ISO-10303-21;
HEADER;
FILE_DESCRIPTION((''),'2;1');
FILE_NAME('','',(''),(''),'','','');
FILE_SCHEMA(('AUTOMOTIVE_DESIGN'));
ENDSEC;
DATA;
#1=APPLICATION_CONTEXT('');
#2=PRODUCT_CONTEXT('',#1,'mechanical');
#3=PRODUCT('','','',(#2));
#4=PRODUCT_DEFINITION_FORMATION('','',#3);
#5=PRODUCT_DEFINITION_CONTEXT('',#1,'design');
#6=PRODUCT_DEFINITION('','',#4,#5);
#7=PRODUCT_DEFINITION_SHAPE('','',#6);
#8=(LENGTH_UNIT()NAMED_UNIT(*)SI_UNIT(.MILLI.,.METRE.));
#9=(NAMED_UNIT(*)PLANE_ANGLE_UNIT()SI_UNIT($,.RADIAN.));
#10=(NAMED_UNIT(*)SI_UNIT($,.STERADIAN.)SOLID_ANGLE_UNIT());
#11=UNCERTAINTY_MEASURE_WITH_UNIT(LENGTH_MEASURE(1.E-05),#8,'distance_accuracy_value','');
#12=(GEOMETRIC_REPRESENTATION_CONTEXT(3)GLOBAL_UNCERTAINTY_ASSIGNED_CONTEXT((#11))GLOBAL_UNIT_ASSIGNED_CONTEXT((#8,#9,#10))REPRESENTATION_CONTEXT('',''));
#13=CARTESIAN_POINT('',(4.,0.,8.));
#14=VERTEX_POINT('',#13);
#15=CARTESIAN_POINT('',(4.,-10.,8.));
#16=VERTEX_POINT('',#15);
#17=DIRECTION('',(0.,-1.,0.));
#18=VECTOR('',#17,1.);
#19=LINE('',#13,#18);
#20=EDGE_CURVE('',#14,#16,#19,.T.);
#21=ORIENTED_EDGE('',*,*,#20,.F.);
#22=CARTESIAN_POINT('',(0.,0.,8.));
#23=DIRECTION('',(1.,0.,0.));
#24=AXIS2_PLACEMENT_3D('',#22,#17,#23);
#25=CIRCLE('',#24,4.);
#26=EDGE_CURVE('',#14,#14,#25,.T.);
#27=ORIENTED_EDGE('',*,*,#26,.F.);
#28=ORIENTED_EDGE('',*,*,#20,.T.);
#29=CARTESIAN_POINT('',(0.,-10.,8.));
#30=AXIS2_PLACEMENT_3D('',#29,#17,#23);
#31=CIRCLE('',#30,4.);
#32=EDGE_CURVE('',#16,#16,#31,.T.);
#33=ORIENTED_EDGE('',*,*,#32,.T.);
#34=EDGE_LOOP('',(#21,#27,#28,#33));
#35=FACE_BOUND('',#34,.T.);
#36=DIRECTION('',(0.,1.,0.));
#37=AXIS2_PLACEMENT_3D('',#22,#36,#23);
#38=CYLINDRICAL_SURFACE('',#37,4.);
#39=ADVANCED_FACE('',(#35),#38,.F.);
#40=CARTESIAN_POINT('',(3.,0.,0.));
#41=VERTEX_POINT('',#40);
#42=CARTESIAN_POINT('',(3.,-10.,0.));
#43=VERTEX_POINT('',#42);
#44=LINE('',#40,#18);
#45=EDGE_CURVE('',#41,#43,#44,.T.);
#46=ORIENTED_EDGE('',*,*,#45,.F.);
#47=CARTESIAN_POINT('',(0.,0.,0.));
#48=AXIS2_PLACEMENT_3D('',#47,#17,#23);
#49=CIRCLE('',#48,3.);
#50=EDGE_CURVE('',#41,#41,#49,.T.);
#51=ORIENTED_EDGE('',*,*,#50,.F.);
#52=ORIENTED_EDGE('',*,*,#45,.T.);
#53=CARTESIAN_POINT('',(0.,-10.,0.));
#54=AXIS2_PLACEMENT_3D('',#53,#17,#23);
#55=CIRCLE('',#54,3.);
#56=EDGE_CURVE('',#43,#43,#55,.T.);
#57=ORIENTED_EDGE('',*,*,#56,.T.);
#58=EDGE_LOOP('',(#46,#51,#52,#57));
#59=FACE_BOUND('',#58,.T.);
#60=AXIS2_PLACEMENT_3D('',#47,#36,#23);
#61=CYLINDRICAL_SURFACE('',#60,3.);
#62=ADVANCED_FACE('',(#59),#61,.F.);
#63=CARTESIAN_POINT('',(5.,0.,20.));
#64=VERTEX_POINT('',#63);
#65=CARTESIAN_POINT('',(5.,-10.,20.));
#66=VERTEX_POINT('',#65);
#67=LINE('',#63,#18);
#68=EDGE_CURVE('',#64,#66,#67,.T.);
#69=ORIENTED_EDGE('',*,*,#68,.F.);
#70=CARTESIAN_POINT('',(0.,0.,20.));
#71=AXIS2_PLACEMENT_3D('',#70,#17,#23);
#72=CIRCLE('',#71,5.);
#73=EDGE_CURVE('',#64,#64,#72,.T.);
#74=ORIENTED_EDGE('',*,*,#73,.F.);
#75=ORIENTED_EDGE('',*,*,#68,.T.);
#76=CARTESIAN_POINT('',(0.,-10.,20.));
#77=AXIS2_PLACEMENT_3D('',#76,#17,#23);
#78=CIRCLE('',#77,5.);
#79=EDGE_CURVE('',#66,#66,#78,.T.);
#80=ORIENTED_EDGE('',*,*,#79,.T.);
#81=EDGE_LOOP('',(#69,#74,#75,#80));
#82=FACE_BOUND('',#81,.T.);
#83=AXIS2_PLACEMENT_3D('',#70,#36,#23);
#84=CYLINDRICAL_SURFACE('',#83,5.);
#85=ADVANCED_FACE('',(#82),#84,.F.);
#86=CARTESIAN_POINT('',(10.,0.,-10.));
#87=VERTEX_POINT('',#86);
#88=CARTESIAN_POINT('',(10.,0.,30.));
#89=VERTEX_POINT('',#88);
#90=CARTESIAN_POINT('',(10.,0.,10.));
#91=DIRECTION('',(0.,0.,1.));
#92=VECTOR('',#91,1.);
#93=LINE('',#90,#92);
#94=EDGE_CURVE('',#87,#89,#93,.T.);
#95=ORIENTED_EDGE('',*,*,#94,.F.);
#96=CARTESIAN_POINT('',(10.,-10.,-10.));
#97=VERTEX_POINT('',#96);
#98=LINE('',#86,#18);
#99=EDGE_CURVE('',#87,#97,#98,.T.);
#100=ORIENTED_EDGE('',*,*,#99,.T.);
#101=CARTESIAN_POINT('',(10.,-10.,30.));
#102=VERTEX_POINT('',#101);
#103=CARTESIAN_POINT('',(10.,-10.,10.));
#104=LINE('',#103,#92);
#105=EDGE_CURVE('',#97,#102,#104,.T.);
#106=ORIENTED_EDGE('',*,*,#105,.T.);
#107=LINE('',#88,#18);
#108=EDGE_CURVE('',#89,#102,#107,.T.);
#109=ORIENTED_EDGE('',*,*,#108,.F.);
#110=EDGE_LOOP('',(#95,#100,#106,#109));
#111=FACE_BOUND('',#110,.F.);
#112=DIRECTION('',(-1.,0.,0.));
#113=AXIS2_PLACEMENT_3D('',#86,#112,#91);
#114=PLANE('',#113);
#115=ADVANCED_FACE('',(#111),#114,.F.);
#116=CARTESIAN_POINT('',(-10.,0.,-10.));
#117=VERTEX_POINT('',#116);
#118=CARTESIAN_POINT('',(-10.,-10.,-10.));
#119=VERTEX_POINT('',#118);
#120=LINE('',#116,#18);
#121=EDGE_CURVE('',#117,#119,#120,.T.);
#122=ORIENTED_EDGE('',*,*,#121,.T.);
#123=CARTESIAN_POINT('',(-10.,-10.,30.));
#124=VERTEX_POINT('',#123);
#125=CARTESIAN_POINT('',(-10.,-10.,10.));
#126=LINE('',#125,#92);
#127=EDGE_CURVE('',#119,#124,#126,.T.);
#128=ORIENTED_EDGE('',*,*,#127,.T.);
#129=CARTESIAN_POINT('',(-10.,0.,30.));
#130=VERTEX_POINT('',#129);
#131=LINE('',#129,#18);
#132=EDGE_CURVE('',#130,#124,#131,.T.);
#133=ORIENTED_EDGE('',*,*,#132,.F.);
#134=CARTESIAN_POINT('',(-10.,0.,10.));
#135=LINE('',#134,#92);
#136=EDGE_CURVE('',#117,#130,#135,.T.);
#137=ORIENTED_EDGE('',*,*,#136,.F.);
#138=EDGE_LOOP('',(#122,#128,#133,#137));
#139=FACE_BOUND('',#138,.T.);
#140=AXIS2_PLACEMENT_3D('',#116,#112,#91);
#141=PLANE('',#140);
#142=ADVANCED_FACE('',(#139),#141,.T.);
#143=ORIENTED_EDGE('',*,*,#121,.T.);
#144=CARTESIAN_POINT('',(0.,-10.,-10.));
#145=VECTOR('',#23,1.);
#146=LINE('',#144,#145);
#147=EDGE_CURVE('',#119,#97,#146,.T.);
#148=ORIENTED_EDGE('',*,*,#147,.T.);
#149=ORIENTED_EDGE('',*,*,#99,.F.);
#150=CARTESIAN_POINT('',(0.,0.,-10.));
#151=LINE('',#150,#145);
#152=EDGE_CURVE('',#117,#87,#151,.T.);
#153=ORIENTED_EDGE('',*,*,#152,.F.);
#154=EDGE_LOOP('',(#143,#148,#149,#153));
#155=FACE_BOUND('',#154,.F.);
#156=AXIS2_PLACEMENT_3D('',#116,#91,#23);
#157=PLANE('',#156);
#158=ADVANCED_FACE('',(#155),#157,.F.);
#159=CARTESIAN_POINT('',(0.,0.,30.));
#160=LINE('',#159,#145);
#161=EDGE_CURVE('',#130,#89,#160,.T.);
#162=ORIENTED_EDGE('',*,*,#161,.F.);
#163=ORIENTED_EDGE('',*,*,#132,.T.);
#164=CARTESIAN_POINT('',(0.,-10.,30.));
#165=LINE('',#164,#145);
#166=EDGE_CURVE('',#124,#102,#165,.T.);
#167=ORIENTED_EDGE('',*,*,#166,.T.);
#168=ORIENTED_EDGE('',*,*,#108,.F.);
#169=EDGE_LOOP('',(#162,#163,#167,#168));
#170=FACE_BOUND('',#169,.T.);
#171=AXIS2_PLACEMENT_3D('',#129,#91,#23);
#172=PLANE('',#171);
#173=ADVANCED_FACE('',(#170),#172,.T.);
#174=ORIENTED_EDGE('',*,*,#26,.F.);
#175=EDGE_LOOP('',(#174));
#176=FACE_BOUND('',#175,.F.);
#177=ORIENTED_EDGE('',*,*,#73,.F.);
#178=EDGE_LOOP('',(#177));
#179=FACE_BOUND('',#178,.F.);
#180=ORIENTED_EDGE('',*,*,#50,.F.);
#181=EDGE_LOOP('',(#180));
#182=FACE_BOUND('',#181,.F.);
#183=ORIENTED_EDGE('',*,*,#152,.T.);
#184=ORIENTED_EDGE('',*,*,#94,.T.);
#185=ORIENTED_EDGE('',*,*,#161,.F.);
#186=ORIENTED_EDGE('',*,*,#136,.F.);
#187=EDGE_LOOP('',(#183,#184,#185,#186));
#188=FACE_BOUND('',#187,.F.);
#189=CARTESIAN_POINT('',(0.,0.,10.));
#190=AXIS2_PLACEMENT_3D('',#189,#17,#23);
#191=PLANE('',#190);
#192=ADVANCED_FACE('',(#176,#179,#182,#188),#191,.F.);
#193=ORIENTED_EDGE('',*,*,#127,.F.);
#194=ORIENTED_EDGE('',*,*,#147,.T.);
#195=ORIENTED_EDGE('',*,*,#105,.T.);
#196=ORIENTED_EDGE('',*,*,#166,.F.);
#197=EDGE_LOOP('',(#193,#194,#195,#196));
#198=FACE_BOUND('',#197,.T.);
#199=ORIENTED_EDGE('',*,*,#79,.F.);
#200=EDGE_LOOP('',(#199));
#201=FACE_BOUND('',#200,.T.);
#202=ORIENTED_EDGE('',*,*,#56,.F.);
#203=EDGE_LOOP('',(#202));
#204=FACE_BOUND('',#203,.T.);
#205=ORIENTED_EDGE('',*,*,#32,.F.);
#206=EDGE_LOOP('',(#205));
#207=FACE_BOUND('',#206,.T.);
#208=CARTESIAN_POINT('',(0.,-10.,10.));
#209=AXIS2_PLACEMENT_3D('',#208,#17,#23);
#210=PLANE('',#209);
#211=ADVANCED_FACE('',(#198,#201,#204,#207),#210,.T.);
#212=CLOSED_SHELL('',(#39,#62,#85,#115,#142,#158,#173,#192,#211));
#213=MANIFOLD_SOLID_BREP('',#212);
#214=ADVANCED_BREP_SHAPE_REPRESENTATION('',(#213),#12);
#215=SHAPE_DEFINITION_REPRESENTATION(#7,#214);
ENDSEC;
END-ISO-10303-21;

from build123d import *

# Parameters (mm, degrees)
F0_W     = 20
F0_H     = 40
F0_R     = 3
F0_R_2   = 4
F0_R_3   = 5
F1_DEPTH = 10


with BuildPart() as f1:
    # F0 (on Front) → F1 (new body)
    with BuildSketch(Plane.XZ):
        with Locations((0, 10)):
            Rectangle(F0_W, F0_H)
        Circle(F0_R, mode=Mode.SUBTRACT)
        with Locations((0, 8)):
            Circle(F0_R_2, mode=Mode.SUBTRACT)
        with Locations((0, 20)):
            Circle(F0_R_3, mode=Mode.SUBTRACT)
    extrude(amount=F1_DEPTH)


solid = f1.part
